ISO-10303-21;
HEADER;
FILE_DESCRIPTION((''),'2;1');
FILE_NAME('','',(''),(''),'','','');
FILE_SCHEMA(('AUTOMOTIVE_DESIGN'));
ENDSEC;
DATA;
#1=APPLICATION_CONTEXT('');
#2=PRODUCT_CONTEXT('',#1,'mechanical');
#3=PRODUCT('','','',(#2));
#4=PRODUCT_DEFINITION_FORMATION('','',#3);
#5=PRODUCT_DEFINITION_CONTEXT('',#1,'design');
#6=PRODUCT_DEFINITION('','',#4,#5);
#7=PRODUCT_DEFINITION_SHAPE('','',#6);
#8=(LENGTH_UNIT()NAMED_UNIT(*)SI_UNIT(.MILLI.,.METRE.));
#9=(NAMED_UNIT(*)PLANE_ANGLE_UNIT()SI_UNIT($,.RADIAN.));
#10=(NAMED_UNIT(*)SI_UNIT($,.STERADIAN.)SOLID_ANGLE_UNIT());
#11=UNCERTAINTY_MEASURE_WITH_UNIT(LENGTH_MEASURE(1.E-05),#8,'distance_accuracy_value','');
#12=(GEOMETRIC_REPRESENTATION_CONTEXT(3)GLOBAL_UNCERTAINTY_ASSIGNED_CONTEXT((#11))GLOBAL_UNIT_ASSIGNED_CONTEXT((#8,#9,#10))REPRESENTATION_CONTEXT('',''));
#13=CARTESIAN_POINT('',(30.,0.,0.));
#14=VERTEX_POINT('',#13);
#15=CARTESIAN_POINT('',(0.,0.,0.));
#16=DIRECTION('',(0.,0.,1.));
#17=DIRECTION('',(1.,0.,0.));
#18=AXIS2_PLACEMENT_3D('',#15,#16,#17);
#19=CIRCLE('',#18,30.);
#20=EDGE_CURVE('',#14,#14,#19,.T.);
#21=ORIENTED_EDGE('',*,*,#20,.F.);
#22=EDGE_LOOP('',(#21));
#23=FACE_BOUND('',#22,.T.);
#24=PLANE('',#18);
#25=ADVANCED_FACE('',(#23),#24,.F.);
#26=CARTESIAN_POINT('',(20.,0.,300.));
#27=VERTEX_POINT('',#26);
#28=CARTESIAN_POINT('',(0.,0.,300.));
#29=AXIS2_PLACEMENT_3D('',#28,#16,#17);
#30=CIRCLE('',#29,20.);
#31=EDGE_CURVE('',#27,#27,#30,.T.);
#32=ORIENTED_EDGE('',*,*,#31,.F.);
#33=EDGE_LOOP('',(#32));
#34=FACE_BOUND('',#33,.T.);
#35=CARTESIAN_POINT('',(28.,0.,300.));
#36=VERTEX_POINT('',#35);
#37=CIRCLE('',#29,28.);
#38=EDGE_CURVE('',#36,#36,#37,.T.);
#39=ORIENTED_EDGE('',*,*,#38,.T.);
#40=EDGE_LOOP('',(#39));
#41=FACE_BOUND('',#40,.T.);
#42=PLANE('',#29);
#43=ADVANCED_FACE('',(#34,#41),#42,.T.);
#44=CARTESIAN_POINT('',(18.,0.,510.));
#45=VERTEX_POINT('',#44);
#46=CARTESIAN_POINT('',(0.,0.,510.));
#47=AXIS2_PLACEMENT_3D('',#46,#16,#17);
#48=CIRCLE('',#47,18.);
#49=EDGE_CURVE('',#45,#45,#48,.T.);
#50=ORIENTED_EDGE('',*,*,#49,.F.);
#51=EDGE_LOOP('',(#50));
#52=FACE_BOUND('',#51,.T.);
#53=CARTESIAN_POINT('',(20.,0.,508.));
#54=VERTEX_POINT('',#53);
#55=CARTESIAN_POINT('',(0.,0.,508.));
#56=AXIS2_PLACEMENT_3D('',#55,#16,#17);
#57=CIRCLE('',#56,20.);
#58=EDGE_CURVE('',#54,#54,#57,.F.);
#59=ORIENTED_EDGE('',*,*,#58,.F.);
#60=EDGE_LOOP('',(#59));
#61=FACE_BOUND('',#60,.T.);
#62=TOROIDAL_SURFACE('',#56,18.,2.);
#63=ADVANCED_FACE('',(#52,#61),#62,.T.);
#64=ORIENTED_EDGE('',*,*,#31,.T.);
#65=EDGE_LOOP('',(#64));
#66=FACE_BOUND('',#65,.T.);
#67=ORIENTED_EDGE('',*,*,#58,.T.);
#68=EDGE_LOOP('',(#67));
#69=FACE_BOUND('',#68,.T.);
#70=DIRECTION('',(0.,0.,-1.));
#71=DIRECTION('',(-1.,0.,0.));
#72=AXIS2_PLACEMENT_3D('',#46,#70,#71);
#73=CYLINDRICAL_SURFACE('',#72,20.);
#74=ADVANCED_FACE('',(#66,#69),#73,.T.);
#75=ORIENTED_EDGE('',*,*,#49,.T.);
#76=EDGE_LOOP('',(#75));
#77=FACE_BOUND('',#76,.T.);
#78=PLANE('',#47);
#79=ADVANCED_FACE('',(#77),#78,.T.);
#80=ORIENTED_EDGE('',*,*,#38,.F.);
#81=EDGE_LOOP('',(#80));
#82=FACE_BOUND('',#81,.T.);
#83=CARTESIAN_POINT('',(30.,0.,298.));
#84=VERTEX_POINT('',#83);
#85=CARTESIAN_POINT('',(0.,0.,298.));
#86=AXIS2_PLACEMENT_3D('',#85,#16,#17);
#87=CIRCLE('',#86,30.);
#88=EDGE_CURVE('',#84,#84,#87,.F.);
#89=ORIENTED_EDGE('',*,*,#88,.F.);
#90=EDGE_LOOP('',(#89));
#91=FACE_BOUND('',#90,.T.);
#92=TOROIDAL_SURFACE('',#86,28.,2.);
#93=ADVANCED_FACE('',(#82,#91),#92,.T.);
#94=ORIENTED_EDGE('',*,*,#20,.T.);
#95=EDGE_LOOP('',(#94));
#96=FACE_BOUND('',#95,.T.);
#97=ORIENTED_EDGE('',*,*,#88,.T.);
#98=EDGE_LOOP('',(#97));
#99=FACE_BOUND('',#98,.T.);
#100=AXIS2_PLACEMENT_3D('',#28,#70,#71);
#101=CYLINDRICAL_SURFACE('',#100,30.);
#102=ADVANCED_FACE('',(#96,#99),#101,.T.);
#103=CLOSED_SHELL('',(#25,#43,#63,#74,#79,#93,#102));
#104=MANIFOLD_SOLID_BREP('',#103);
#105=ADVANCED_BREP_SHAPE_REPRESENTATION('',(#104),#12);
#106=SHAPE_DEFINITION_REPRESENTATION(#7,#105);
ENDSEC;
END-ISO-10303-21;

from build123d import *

# Parameters (mm, degrees)
SKETCH2_R           = 30
BOSS_EXTRUDE1_DEPTH = 300
SKETCH3_R           = 20
BOSS_EXTRUDE2_DEPTH = 210
FILLET1_R           = 2
FILLET2_R           = 2


with BuildPart() as part:
    # Sketch2 → Boss-Extrude1 (new body)
    with BuildSketch(Plane.XY):
        Circle(SKETCH2_R)
    extrude(amount=BOSS_EXTRUDE1_DEPTH)

    # Sketch3 → Boss-Extrude2 (add)
    with BuildSketch(Plane.XY.offset(300)):
        Circle(SKETCH3_R)
    extrude(amount=BOSS_EXTRUDE2_DEPTH)

    # Fillet1
    fillet1_edges = [part.edges().sort_by_distance(p)[0] for p in [
        (-20, 0, 510),
    ]]
    fillet(fillet1_edges, radius=FILLET1_R)

    # Fillet2
    fillet2_edges = [part.edges().sort_by_distance(p)[0] for p in [
        (-30, 0, 300),
    ]]
    fillet(fillet2_edges, radius=FILLET2_R)


solid = part.part
